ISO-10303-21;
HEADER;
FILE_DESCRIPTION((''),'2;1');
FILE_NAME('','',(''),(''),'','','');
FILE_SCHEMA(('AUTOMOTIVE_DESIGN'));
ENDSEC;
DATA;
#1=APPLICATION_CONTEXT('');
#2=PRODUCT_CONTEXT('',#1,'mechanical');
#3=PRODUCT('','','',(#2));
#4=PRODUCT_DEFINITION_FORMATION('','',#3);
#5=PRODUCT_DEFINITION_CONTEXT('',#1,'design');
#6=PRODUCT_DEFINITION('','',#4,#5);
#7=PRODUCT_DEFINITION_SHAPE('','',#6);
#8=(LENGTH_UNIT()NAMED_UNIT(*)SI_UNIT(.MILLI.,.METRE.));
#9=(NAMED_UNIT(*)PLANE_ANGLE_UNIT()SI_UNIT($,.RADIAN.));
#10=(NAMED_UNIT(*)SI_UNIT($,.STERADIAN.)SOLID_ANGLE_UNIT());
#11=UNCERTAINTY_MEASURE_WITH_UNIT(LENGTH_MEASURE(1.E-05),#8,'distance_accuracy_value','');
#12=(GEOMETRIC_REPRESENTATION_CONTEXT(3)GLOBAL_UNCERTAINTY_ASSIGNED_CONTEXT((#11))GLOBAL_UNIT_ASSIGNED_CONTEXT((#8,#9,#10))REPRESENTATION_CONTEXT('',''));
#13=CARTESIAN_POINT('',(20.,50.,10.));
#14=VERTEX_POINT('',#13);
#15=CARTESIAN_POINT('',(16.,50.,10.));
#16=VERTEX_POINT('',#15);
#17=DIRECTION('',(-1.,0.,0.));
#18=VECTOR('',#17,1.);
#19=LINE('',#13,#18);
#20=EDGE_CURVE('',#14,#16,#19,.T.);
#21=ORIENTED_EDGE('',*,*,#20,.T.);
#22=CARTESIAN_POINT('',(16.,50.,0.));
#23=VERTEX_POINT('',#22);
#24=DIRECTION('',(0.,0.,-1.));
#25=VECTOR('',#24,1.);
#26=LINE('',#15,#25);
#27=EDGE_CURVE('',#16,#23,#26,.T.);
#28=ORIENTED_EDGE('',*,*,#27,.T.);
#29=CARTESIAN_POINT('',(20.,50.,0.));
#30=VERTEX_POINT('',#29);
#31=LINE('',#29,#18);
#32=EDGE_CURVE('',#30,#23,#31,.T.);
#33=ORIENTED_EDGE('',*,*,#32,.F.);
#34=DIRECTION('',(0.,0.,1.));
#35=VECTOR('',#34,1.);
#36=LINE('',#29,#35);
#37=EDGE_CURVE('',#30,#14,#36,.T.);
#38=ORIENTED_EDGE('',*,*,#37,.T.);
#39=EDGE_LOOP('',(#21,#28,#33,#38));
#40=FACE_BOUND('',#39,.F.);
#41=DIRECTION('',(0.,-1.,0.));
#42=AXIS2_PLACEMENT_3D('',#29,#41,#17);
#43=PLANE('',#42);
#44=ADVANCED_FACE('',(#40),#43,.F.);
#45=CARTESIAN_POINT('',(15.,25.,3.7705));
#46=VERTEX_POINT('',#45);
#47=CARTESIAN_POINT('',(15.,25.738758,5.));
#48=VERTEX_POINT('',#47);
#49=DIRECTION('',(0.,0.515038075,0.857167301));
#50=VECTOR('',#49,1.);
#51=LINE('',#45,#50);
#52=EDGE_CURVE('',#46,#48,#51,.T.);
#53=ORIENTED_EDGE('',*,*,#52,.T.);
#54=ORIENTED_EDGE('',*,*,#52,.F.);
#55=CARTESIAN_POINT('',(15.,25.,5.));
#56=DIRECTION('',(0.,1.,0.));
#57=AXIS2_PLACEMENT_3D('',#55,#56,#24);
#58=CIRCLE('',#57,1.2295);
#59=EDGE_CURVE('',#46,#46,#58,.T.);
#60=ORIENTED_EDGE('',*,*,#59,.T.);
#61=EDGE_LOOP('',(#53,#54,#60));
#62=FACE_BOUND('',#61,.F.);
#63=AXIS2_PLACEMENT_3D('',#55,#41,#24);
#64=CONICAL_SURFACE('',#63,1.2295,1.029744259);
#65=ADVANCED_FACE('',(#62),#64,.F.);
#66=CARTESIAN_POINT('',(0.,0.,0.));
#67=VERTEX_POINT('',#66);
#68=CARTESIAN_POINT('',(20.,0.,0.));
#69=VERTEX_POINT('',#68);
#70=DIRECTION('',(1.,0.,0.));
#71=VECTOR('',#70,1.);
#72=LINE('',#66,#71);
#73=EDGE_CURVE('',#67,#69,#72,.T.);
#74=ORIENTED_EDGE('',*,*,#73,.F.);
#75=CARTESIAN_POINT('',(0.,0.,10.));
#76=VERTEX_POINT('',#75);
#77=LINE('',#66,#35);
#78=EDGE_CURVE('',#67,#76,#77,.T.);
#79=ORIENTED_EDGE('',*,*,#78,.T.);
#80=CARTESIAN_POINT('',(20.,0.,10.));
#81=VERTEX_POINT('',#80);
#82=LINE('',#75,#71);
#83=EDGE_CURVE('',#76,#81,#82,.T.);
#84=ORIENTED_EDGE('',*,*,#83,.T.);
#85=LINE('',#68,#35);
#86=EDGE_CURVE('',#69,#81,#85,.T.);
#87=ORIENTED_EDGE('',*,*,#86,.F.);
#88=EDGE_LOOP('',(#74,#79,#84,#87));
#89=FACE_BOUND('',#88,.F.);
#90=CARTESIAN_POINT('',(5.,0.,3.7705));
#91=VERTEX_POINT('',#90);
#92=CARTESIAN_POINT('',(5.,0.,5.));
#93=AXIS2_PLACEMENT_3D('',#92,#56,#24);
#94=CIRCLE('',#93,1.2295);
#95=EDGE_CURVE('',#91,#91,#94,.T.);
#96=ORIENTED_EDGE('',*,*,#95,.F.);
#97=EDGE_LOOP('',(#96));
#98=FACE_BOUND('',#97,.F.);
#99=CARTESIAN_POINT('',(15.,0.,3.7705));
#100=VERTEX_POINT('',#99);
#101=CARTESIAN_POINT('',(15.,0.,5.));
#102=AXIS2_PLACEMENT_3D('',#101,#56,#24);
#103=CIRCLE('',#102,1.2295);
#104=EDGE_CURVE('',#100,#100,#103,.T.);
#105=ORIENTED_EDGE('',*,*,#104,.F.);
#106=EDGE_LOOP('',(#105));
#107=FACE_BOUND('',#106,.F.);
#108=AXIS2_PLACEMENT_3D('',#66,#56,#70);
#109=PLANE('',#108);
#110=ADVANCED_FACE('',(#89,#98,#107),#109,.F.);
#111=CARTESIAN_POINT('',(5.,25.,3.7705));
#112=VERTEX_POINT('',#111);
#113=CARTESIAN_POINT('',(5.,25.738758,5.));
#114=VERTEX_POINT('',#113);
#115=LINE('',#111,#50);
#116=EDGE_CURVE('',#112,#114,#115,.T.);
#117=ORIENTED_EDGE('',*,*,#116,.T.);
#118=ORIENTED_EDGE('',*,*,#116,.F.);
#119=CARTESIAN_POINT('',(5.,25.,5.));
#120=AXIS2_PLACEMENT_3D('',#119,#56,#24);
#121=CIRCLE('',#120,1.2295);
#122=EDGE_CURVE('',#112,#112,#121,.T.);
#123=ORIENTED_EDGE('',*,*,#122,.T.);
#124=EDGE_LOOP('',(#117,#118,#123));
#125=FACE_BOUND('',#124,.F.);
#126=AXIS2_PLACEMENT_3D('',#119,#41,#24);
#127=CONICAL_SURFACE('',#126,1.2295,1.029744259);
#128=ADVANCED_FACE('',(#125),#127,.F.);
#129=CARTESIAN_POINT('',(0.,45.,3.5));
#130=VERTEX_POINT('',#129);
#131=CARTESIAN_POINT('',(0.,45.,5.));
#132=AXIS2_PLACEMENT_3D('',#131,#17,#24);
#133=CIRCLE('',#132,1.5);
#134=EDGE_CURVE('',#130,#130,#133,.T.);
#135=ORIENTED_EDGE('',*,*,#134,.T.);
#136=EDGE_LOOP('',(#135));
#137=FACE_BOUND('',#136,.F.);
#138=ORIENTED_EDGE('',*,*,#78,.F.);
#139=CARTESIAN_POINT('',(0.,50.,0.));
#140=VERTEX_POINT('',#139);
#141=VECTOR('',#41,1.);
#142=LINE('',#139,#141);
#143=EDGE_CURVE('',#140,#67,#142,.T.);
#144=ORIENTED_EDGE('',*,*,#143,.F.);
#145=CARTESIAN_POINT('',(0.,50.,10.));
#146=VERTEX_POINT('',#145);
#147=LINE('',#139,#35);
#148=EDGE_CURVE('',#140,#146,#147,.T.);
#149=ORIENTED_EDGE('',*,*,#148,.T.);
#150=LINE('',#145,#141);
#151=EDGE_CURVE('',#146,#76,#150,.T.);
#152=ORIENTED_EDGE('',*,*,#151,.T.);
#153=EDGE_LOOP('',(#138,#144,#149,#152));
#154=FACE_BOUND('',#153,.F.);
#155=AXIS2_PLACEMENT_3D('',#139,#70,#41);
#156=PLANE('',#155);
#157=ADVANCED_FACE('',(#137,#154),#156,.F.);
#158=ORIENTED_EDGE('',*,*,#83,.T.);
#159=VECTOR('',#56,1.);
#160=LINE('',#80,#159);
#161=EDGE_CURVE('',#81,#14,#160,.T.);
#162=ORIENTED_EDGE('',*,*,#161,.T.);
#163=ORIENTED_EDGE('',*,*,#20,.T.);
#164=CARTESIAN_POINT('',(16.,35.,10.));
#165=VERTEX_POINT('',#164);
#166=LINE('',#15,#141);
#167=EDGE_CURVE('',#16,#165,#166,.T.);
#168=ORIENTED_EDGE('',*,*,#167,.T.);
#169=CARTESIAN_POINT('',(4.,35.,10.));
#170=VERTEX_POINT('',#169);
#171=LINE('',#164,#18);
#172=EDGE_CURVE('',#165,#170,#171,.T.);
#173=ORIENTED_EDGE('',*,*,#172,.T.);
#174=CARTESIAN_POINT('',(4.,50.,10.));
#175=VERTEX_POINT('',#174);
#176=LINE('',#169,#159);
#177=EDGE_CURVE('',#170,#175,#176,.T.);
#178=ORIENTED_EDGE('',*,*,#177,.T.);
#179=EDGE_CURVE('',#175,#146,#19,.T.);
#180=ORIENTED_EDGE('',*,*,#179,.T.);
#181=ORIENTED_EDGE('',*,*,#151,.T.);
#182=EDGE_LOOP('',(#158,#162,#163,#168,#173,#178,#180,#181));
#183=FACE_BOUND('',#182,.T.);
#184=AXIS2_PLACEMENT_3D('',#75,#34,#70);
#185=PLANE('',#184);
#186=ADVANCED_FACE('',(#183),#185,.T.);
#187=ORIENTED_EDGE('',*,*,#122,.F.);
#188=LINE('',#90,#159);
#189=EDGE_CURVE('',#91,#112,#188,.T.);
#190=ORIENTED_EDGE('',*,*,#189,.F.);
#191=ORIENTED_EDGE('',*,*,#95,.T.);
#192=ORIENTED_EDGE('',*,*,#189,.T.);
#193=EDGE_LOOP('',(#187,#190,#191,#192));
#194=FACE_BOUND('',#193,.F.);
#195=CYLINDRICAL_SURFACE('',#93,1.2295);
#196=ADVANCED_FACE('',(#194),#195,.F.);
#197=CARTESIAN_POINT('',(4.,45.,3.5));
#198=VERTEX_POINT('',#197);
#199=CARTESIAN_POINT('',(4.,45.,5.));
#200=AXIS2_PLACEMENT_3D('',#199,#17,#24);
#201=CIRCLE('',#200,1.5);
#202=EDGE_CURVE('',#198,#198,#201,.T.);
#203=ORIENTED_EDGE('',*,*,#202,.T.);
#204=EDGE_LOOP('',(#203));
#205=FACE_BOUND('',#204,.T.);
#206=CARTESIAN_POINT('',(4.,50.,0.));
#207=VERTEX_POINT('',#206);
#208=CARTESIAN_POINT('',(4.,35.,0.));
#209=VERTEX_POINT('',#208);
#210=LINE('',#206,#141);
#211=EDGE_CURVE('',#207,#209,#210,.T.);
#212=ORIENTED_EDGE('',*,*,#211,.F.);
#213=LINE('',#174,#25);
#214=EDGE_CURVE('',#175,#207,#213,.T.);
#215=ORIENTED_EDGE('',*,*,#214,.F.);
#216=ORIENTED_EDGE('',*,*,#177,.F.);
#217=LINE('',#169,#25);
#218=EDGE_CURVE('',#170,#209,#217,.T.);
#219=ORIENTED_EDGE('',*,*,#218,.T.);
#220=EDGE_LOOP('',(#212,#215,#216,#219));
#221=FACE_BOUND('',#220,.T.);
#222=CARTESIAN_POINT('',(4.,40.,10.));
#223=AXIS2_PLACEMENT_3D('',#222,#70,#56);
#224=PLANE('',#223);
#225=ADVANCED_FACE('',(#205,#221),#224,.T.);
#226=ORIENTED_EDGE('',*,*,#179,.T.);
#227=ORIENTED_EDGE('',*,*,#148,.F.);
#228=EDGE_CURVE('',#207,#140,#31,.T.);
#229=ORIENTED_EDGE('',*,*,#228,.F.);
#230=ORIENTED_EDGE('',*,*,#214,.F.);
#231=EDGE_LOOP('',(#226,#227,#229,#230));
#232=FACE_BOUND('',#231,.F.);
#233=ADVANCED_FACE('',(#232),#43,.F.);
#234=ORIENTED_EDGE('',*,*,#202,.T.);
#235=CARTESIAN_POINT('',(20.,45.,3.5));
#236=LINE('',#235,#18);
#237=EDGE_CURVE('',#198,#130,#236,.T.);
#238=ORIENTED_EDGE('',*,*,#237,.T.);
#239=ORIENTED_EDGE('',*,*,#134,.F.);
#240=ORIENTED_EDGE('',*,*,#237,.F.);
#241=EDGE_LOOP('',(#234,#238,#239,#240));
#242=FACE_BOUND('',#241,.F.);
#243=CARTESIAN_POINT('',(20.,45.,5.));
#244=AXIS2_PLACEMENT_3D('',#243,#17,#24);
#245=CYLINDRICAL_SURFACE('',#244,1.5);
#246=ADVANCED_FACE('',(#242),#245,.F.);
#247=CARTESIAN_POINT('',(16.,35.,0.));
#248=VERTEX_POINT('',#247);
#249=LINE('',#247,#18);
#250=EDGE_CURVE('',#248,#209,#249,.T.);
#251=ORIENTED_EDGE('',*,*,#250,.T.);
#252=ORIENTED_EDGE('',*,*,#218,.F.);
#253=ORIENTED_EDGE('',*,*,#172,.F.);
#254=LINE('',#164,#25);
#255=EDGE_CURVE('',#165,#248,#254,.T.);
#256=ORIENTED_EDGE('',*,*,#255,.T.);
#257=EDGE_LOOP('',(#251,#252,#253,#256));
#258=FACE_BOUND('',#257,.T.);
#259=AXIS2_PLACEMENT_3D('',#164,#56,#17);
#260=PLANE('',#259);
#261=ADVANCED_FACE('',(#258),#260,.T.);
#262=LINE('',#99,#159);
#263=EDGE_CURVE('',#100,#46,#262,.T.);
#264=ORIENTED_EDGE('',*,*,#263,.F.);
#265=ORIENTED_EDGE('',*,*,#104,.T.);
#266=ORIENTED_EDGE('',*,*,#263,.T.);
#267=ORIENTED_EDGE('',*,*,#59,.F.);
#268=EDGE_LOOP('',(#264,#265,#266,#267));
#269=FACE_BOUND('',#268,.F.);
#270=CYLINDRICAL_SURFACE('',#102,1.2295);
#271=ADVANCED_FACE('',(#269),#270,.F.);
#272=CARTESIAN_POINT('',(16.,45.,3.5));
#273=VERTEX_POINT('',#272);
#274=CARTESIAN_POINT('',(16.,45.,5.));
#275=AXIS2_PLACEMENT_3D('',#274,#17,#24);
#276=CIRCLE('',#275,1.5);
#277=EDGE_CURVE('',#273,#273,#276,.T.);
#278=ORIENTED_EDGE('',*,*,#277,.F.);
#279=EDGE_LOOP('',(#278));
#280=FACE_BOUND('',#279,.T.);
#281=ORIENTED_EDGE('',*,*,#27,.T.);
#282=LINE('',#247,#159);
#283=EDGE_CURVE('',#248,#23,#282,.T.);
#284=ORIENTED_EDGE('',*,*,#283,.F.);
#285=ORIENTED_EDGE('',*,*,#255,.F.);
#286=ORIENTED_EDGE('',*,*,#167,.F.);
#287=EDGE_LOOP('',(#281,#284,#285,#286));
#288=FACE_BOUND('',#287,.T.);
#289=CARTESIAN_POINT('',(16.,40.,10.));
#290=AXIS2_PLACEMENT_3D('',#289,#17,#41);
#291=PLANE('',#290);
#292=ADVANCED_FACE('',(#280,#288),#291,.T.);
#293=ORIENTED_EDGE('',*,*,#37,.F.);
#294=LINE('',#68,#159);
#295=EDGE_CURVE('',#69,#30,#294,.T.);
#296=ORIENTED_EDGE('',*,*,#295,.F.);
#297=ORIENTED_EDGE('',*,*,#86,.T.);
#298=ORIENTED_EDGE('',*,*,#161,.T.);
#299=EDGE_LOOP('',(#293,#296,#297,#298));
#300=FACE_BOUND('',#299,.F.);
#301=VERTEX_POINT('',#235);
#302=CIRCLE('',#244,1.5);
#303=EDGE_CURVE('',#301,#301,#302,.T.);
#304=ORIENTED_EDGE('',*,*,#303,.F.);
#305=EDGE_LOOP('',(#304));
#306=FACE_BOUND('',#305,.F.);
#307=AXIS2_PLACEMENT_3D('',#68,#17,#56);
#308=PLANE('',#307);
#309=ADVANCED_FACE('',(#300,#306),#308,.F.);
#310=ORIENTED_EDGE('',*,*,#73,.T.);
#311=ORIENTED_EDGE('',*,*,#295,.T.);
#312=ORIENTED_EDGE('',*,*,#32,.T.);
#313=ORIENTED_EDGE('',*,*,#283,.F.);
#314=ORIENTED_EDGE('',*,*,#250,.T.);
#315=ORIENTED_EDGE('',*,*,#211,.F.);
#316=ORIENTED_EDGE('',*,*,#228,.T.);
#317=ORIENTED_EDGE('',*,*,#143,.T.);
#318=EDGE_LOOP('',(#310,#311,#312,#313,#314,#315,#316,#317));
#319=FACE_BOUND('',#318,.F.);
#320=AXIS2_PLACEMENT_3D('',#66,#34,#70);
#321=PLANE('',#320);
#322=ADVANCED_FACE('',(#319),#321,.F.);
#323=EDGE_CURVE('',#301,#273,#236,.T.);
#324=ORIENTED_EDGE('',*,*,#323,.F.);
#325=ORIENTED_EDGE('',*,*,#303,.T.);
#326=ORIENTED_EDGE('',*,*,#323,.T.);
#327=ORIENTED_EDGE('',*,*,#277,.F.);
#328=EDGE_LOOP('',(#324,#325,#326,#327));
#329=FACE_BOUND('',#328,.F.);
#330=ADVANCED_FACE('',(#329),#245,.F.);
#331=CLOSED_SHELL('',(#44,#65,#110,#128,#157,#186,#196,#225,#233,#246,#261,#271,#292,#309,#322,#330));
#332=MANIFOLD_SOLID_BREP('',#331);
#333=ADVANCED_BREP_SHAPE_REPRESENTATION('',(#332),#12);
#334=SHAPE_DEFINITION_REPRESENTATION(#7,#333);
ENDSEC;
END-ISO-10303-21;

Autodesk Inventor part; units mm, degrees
ref_plane "YZ Plane" through (0, 0, 0) normal (1, 0, 0) x (0, 1, 0)
ref_plane "XZ Plane" through (0, 0, 0) normal (0, 1, 0) x (-1, 0, 0)
ref_plane "XY Plane" through (0, 0, 0) normal (0, 0, 1) x (1, 0, 0)
sketch "スケッチ1" plane through (0, 0, 0) normal (0, 0, 1) x (1, 0, 0)
  line L0 (0, 0) -> (20, 0)
  line L1 (20, 0) -> (20, 50)
  line L2 (20, 50) -> (0, 50)
  line L3 (0, 50) -> (0, 0)
  dimension "d0" = 20
  dimension "d1" = 50
extrude "押し出し1" add sketch "スケッチ1" along normal blind 10
sketch "スケッチ2" plane through (0, 0, 10) normal (0, 0, 1) x (1, 0, 0)
  line L0 (20, 50) -> (0, 50) projected
  line L1 (4, 50) -> (16, 50)
  line L2 (16, 50) -> (16, 40)
  line L3 (16, 40) -> (4, 40)
  line L4 (4, 40) -> (4, 50)
  line L5 (0, 50) -> (0, 0) projected
  dimension "d4" = 12
  dimension "d5" = 4
  dimension "d6" = 10
extrude "押し出し2" cut sketch "スケッチ2" against normal blind 10
sketch "スケッチ3" plane through (20, 0, 0) normal (1, 0, 0) x (0, 0, -1)
  line L0 (0, 50) -> (-10, 50) projected
  line L1 (0, 0) -> (0, 50) projected
  point P0 (-5, 45)
  dimension "d9" = 5
  dimension "d10" = 5
hole "穴1" at (20, 45, 5) direction (-1, 0, 0) diameter 3 end through all
sketch "スケッチ4" plane through (0, 0, 0) normal (0, -1, 0) x (1, 0, 0)
  line L0 (0, 0) -> (0, 10) projected
  line L1 (0, 10) -> (20, 10) projected
  line L2 (0, 0) -> (20, 0) projected
  line L3 (20, 0) -> (20, 10) projected
  point P0 (5, 5)
  point P1 (15, 5)
  dimension "d18" = 5
  dimension "d19" = 5
  dimension "d20" = 5
  dimension "d21" = 5
hole "穴2" at (5, 0, 5) at (15, 0, 5) direction (0, 1, 0) diameter 2.459 depth 25 tip angle 118 thread size "M3x0.5" class "6H" standard "ISO Metric profile"
sketch "スケッチ5" plane through (0, 0, 10) normal (0, 0, 1) x (1, 0, 0)
  line L0 (4, 40) -> (16, 40) projected
  line L1 (4, 40) -> (16, 40)
  line L2 (16, 40) -> (16, 35)
  line L3 (16, 35) -> (4, 35)
  line L4 (4, 35) -> (4, 40)
  point P0 (0, 0)
  dimension "d29" = 5
extrude "押し出し3" cut sketch "スケッチ5" against normal blind 10
properties part number "アーム支え"
